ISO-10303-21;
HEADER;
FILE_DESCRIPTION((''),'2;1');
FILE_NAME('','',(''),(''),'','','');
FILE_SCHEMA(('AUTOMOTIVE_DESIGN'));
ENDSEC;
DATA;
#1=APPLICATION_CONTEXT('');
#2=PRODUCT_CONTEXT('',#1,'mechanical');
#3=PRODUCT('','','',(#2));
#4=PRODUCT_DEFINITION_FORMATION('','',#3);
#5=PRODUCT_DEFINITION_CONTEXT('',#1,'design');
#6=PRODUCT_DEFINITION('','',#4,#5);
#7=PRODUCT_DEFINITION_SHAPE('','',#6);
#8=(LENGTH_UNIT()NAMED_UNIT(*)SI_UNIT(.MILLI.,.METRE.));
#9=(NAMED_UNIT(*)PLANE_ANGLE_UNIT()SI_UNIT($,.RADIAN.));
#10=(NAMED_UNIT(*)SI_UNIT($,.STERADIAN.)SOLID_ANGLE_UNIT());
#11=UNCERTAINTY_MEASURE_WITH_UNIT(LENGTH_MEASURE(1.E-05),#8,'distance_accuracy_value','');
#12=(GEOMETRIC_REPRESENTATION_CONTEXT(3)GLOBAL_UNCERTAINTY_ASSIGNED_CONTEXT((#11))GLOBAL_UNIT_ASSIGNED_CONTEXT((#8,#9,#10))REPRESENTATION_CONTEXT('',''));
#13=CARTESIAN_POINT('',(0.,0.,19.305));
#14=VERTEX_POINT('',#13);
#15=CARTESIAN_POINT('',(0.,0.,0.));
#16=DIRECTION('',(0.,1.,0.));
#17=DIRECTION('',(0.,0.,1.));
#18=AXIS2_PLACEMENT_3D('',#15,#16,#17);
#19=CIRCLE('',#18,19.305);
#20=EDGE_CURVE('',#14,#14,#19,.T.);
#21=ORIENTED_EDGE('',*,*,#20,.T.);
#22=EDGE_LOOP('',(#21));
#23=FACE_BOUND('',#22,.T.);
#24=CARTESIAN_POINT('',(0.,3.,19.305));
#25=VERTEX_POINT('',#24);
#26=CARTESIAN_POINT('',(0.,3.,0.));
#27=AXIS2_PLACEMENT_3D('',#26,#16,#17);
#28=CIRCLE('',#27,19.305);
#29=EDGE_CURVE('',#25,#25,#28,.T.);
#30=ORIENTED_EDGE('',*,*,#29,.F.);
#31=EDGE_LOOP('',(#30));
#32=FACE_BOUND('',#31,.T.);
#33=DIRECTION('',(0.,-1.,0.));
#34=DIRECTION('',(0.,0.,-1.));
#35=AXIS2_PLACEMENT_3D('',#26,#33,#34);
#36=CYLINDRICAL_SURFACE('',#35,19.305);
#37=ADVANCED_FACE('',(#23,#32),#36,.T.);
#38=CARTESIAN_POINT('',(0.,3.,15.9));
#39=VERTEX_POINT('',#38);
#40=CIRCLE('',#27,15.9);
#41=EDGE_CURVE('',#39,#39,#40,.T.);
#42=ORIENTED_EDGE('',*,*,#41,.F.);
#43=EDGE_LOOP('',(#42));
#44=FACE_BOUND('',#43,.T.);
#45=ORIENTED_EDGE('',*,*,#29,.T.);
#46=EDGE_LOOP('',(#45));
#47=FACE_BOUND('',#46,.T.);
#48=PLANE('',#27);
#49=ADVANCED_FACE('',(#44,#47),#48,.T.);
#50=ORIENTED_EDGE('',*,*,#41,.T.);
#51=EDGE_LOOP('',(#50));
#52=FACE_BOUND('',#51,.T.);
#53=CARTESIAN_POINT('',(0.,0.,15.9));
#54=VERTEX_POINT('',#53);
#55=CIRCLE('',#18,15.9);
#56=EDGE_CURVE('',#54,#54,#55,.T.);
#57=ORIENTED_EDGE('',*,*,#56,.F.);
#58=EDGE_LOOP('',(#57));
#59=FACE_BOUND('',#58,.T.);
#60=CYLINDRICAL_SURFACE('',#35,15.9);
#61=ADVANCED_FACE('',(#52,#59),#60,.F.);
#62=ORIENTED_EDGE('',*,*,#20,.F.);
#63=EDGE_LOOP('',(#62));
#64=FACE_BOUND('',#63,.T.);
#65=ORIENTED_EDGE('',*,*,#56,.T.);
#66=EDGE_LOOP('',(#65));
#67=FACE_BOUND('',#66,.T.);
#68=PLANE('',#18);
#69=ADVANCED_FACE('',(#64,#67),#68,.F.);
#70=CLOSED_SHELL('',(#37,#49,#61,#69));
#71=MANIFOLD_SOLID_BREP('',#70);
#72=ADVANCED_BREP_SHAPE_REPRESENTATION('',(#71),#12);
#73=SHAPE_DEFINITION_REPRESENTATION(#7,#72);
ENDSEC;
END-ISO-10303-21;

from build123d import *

# Parameters (mm, degrees)
SKETCH1_R           = 19.305
SKETCH1_R_2         = 15.9
BOSS_EXTRUDE1_DEPTH = 3


with BuildPart() as part:
    # Sketch1 → Boss-Extrude1 (new body)
    with BuildSketch(Plane(origin=(0, 0, 0), x_dir=(1, 0, 0), z_dir=(0, 1, 0))):
        Circle(SKETCH1_R)
        Circle(SKETCH1_R_2, mode=Mode.SUBTRACT)
    extrude(amount=BOSS_EXTRUDE1_DEPTH)


solid = part.part
